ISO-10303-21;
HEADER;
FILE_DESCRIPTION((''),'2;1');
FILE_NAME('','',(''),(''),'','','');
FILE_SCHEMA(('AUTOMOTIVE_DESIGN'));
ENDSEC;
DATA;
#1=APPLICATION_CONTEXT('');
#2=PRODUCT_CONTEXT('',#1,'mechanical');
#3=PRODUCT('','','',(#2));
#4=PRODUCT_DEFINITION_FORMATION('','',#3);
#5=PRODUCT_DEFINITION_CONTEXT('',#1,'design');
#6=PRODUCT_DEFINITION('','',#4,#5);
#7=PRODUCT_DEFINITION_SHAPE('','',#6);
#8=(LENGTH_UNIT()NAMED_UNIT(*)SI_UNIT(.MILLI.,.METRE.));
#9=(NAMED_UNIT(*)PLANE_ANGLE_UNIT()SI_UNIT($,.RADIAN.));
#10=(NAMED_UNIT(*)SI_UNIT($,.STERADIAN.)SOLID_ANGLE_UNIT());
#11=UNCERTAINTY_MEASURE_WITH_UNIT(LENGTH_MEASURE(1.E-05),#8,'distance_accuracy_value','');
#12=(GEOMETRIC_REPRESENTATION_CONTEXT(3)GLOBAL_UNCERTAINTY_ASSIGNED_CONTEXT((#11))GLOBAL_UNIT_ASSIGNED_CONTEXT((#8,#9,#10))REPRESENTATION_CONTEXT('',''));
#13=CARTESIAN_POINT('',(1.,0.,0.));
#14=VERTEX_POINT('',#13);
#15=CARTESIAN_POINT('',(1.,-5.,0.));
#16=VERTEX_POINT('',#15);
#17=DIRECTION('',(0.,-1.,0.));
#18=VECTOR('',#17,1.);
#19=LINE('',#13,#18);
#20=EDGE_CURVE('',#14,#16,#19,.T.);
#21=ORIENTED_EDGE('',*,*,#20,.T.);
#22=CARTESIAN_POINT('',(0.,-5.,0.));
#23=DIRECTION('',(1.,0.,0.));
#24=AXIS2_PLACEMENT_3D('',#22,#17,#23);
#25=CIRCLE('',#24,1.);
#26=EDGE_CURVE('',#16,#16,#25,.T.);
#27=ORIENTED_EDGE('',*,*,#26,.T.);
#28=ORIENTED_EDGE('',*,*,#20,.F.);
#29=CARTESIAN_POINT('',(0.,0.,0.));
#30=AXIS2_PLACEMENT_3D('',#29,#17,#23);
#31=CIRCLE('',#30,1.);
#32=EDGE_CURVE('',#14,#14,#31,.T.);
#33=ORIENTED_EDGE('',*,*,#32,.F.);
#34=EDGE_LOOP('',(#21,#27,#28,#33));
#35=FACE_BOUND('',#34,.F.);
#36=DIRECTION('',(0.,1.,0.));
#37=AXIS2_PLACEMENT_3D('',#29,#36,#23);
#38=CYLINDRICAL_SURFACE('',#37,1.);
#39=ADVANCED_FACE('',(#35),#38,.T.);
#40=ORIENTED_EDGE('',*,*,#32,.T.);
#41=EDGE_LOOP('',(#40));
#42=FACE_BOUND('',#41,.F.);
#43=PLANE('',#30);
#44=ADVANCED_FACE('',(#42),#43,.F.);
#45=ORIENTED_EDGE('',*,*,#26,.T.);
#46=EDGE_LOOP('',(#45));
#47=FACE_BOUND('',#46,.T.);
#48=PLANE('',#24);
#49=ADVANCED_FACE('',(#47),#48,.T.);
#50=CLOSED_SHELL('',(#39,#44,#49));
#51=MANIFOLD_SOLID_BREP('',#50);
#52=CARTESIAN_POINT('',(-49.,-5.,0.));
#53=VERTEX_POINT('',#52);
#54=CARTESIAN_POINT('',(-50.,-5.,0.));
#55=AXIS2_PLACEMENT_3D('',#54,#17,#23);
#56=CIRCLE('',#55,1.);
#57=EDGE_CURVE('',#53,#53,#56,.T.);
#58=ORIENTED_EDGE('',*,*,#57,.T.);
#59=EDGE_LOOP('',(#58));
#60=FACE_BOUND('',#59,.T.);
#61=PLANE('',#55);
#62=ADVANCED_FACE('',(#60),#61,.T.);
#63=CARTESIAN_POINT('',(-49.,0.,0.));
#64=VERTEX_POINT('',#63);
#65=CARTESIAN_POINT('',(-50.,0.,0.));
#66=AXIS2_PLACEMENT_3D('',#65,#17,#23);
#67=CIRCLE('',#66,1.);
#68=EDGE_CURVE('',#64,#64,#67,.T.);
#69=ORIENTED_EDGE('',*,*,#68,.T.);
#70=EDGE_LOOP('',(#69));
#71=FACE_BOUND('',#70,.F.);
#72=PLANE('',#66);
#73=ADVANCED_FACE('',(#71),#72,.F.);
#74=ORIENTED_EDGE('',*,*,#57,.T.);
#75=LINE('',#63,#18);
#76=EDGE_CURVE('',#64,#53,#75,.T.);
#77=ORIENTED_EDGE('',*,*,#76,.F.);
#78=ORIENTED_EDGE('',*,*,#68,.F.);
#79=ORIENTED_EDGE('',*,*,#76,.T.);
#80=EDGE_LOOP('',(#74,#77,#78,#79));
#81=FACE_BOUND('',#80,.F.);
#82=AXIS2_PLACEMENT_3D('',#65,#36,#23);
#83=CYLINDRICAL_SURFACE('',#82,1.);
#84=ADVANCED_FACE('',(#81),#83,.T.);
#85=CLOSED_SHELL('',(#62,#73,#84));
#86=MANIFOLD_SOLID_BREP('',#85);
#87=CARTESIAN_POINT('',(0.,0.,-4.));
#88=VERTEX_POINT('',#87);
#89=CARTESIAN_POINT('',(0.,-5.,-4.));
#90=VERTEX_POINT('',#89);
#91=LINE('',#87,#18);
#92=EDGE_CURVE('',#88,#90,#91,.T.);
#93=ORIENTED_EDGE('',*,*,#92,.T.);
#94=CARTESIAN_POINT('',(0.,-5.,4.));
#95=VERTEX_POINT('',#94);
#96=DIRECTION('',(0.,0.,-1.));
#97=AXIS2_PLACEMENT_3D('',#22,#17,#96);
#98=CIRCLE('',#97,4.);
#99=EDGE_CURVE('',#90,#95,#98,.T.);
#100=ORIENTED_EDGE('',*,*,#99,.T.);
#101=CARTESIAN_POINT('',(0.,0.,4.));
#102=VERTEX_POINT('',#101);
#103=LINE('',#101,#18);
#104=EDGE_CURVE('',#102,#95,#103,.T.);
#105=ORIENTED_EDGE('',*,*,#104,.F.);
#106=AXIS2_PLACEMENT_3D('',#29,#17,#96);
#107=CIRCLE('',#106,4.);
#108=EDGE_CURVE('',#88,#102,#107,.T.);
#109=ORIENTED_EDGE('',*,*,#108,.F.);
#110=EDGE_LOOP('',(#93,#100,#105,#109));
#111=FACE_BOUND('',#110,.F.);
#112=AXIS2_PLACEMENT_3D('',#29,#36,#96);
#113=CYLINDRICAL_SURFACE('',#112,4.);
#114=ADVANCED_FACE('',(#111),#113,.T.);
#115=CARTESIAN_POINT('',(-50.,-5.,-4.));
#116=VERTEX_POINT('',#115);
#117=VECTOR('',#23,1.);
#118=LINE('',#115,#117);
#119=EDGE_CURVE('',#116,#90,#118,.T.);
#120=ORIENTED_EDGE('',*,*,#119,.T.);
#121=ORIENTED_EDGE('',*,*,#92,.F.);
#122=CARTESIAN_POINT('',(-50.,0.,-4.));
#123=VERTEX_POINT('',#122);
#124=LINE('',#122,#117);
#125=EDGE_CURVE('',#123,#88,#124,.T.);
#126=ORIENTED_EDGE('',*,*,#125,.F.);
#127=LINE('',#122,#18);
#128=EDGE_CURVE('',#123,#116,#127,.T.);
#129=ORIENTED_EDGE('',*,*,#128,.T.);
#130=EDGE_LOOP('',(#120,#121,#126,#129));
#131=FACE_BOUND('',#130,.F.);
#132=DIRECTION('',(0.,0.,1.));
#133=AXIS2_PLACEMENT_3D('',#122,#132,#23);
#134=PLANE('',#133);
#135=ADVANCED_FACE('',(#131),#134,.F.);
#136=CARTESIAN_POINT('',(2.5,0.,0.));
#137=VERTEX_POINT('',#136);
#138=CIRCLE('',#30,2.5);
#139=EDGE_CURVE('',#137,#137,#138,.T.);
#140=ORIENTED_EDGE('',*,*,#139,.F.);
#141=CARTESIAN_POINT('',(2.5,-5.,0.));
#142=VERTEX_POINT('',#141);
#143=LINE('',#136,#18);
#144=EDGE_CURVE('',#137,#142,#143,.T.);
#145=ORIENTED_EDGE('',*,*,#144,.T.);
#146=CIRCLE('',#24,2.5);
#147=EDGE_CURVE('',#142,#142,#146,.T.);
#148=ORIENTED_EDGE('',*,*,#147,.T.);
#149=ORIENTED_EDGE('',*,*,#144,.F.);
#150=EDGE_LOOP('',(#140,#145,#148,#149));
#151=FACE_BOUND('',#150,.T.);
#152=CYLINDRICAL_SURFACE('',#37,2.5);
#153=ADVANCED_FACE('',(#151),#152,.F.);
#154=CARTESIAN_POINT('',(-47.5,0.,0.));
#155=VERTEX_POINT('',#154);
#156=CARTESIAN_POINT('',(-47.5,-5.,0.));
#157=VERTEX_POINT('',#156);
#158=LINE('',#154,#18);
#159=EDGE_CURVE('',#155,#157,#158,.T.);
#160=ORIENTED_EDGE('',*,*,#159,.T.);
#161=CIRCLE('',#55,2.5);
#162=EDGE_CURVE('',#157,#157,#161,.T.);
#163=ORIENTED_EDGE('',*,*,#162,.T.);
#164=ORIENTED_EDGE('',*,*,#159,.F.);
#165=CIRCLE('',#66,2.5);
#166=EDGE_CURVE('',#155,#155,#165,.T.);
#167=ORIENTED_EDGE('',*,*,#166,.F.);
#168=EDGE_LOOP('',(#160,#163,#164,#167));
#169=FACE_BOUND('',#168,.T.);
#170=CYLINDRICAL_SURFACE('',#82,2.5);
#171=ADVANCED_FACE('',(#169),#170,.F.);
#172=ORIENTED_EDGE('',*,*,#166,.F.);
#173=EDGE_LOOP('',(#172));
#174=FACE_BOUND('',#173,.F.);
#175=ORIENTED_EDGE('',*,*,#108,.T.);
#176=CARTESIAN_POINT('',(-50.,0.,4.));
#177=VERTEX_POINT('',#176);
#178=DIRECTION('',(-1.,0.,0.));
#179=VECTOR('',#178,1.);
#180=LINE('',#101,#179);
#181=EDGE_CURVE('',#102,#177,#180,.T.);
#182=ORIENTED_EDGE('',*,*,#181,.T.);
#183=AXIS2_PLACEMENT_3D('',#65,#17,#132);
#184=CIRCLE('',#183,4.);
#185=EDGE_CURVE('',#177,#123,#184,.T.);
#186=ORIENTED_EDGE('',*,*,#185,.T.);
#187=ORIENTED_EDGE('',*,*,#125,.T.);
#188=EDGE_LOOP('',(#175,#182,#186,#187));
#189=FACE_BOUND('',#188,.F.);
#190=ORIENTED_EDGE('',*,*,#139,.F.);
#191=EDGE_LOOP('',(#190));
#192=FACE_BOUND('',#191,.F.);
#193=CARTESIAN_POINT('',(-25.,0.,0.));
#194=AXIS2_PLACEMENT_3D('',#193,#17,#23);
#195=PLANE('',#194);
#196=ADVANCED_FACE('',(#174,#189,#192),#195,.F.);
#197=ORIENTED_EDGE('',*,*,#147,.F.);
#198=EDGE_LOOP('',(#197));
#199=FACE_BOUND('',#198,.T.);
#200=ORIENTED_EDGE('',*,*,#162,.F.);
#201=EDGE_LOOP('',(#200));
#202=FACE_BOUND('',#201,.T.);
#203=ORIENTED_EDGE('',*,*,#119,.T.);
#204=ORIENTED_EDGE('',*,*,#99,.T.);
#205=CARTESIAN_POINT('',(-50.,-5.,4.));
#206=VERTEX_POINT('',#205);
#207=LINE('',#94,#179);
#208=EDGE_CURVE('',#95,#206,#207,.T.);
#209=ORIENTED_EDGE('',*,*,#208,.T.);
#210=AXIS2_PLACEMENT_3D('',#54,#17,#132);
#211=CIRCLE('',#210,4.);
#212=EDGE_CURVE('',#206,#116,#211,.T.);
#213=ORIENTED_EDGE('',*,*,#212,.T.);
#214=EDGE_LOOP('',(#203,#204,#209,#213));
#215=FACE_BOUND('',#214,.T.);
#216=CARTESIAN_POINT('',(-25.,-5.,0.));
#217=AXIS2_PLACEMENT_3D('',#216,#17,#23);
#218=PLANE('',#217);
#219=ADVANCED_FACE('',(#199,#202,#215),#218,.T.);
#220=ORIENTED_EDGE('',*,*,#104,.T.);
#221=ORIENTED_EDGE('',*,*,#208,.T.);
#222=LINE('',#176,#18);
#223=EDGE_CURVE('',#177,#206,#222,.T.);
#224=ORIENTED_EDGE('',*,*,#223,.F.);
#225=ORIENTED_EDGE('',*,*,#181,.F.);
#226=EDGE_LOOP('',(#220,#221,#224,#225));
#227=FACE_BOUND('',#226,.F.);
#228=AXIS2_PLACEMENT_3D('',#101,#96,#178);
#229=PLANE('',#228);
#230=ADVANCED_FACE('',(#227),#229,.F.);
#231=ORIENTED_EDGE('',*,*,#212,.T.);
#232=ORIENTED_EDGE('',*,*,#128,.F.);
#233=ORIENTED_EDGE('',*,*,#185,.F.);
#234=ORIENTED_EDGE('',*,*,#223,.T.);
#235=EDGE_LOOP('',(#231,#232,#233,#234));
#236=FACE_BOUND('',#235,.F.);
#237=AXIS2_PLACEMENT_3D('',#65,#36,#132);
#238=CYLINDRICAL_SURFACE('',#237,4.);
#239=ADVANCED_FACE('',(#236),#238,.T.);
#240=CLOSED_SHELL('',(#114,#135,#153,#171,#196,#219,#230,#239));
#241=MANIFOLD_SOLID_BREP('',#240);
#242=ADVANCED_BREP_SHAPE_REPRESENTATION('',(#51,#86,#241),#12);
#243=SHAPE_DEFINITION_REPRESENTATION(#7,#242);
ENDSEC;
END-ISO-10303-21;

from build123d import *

# Parameters (mm, degrees)
F0_R     = 2.5
F0_R_2   = 1
F1_DEPTH = 5


with BuildPart() as f1:
    # F0 (on Front) → F1 (new body)
    with BuildSketch(Plane.XZ):
        with BuildLine():
            Line((-50, -4), (0, -4))
            ThreePointArc((0, -4), (4, 0), (0, 4))
            Line((0, 4), (-50, 4))
            ThreePointArc((-50, 4), (-54, 0), (-50, -4))
        make_face()
        with Locations((-50, 0)):
            Circle(F0_R, mode=Mode.SUBTRACT)
        Circle(F0_R, mode=Mode.SUBTRACT)
        with Locations((-50, 0)):
            Circle(F0_R_2)
        Circle(F0_R_2)
    extrude(amount=F1_DEPTH)


solid = f1.part
